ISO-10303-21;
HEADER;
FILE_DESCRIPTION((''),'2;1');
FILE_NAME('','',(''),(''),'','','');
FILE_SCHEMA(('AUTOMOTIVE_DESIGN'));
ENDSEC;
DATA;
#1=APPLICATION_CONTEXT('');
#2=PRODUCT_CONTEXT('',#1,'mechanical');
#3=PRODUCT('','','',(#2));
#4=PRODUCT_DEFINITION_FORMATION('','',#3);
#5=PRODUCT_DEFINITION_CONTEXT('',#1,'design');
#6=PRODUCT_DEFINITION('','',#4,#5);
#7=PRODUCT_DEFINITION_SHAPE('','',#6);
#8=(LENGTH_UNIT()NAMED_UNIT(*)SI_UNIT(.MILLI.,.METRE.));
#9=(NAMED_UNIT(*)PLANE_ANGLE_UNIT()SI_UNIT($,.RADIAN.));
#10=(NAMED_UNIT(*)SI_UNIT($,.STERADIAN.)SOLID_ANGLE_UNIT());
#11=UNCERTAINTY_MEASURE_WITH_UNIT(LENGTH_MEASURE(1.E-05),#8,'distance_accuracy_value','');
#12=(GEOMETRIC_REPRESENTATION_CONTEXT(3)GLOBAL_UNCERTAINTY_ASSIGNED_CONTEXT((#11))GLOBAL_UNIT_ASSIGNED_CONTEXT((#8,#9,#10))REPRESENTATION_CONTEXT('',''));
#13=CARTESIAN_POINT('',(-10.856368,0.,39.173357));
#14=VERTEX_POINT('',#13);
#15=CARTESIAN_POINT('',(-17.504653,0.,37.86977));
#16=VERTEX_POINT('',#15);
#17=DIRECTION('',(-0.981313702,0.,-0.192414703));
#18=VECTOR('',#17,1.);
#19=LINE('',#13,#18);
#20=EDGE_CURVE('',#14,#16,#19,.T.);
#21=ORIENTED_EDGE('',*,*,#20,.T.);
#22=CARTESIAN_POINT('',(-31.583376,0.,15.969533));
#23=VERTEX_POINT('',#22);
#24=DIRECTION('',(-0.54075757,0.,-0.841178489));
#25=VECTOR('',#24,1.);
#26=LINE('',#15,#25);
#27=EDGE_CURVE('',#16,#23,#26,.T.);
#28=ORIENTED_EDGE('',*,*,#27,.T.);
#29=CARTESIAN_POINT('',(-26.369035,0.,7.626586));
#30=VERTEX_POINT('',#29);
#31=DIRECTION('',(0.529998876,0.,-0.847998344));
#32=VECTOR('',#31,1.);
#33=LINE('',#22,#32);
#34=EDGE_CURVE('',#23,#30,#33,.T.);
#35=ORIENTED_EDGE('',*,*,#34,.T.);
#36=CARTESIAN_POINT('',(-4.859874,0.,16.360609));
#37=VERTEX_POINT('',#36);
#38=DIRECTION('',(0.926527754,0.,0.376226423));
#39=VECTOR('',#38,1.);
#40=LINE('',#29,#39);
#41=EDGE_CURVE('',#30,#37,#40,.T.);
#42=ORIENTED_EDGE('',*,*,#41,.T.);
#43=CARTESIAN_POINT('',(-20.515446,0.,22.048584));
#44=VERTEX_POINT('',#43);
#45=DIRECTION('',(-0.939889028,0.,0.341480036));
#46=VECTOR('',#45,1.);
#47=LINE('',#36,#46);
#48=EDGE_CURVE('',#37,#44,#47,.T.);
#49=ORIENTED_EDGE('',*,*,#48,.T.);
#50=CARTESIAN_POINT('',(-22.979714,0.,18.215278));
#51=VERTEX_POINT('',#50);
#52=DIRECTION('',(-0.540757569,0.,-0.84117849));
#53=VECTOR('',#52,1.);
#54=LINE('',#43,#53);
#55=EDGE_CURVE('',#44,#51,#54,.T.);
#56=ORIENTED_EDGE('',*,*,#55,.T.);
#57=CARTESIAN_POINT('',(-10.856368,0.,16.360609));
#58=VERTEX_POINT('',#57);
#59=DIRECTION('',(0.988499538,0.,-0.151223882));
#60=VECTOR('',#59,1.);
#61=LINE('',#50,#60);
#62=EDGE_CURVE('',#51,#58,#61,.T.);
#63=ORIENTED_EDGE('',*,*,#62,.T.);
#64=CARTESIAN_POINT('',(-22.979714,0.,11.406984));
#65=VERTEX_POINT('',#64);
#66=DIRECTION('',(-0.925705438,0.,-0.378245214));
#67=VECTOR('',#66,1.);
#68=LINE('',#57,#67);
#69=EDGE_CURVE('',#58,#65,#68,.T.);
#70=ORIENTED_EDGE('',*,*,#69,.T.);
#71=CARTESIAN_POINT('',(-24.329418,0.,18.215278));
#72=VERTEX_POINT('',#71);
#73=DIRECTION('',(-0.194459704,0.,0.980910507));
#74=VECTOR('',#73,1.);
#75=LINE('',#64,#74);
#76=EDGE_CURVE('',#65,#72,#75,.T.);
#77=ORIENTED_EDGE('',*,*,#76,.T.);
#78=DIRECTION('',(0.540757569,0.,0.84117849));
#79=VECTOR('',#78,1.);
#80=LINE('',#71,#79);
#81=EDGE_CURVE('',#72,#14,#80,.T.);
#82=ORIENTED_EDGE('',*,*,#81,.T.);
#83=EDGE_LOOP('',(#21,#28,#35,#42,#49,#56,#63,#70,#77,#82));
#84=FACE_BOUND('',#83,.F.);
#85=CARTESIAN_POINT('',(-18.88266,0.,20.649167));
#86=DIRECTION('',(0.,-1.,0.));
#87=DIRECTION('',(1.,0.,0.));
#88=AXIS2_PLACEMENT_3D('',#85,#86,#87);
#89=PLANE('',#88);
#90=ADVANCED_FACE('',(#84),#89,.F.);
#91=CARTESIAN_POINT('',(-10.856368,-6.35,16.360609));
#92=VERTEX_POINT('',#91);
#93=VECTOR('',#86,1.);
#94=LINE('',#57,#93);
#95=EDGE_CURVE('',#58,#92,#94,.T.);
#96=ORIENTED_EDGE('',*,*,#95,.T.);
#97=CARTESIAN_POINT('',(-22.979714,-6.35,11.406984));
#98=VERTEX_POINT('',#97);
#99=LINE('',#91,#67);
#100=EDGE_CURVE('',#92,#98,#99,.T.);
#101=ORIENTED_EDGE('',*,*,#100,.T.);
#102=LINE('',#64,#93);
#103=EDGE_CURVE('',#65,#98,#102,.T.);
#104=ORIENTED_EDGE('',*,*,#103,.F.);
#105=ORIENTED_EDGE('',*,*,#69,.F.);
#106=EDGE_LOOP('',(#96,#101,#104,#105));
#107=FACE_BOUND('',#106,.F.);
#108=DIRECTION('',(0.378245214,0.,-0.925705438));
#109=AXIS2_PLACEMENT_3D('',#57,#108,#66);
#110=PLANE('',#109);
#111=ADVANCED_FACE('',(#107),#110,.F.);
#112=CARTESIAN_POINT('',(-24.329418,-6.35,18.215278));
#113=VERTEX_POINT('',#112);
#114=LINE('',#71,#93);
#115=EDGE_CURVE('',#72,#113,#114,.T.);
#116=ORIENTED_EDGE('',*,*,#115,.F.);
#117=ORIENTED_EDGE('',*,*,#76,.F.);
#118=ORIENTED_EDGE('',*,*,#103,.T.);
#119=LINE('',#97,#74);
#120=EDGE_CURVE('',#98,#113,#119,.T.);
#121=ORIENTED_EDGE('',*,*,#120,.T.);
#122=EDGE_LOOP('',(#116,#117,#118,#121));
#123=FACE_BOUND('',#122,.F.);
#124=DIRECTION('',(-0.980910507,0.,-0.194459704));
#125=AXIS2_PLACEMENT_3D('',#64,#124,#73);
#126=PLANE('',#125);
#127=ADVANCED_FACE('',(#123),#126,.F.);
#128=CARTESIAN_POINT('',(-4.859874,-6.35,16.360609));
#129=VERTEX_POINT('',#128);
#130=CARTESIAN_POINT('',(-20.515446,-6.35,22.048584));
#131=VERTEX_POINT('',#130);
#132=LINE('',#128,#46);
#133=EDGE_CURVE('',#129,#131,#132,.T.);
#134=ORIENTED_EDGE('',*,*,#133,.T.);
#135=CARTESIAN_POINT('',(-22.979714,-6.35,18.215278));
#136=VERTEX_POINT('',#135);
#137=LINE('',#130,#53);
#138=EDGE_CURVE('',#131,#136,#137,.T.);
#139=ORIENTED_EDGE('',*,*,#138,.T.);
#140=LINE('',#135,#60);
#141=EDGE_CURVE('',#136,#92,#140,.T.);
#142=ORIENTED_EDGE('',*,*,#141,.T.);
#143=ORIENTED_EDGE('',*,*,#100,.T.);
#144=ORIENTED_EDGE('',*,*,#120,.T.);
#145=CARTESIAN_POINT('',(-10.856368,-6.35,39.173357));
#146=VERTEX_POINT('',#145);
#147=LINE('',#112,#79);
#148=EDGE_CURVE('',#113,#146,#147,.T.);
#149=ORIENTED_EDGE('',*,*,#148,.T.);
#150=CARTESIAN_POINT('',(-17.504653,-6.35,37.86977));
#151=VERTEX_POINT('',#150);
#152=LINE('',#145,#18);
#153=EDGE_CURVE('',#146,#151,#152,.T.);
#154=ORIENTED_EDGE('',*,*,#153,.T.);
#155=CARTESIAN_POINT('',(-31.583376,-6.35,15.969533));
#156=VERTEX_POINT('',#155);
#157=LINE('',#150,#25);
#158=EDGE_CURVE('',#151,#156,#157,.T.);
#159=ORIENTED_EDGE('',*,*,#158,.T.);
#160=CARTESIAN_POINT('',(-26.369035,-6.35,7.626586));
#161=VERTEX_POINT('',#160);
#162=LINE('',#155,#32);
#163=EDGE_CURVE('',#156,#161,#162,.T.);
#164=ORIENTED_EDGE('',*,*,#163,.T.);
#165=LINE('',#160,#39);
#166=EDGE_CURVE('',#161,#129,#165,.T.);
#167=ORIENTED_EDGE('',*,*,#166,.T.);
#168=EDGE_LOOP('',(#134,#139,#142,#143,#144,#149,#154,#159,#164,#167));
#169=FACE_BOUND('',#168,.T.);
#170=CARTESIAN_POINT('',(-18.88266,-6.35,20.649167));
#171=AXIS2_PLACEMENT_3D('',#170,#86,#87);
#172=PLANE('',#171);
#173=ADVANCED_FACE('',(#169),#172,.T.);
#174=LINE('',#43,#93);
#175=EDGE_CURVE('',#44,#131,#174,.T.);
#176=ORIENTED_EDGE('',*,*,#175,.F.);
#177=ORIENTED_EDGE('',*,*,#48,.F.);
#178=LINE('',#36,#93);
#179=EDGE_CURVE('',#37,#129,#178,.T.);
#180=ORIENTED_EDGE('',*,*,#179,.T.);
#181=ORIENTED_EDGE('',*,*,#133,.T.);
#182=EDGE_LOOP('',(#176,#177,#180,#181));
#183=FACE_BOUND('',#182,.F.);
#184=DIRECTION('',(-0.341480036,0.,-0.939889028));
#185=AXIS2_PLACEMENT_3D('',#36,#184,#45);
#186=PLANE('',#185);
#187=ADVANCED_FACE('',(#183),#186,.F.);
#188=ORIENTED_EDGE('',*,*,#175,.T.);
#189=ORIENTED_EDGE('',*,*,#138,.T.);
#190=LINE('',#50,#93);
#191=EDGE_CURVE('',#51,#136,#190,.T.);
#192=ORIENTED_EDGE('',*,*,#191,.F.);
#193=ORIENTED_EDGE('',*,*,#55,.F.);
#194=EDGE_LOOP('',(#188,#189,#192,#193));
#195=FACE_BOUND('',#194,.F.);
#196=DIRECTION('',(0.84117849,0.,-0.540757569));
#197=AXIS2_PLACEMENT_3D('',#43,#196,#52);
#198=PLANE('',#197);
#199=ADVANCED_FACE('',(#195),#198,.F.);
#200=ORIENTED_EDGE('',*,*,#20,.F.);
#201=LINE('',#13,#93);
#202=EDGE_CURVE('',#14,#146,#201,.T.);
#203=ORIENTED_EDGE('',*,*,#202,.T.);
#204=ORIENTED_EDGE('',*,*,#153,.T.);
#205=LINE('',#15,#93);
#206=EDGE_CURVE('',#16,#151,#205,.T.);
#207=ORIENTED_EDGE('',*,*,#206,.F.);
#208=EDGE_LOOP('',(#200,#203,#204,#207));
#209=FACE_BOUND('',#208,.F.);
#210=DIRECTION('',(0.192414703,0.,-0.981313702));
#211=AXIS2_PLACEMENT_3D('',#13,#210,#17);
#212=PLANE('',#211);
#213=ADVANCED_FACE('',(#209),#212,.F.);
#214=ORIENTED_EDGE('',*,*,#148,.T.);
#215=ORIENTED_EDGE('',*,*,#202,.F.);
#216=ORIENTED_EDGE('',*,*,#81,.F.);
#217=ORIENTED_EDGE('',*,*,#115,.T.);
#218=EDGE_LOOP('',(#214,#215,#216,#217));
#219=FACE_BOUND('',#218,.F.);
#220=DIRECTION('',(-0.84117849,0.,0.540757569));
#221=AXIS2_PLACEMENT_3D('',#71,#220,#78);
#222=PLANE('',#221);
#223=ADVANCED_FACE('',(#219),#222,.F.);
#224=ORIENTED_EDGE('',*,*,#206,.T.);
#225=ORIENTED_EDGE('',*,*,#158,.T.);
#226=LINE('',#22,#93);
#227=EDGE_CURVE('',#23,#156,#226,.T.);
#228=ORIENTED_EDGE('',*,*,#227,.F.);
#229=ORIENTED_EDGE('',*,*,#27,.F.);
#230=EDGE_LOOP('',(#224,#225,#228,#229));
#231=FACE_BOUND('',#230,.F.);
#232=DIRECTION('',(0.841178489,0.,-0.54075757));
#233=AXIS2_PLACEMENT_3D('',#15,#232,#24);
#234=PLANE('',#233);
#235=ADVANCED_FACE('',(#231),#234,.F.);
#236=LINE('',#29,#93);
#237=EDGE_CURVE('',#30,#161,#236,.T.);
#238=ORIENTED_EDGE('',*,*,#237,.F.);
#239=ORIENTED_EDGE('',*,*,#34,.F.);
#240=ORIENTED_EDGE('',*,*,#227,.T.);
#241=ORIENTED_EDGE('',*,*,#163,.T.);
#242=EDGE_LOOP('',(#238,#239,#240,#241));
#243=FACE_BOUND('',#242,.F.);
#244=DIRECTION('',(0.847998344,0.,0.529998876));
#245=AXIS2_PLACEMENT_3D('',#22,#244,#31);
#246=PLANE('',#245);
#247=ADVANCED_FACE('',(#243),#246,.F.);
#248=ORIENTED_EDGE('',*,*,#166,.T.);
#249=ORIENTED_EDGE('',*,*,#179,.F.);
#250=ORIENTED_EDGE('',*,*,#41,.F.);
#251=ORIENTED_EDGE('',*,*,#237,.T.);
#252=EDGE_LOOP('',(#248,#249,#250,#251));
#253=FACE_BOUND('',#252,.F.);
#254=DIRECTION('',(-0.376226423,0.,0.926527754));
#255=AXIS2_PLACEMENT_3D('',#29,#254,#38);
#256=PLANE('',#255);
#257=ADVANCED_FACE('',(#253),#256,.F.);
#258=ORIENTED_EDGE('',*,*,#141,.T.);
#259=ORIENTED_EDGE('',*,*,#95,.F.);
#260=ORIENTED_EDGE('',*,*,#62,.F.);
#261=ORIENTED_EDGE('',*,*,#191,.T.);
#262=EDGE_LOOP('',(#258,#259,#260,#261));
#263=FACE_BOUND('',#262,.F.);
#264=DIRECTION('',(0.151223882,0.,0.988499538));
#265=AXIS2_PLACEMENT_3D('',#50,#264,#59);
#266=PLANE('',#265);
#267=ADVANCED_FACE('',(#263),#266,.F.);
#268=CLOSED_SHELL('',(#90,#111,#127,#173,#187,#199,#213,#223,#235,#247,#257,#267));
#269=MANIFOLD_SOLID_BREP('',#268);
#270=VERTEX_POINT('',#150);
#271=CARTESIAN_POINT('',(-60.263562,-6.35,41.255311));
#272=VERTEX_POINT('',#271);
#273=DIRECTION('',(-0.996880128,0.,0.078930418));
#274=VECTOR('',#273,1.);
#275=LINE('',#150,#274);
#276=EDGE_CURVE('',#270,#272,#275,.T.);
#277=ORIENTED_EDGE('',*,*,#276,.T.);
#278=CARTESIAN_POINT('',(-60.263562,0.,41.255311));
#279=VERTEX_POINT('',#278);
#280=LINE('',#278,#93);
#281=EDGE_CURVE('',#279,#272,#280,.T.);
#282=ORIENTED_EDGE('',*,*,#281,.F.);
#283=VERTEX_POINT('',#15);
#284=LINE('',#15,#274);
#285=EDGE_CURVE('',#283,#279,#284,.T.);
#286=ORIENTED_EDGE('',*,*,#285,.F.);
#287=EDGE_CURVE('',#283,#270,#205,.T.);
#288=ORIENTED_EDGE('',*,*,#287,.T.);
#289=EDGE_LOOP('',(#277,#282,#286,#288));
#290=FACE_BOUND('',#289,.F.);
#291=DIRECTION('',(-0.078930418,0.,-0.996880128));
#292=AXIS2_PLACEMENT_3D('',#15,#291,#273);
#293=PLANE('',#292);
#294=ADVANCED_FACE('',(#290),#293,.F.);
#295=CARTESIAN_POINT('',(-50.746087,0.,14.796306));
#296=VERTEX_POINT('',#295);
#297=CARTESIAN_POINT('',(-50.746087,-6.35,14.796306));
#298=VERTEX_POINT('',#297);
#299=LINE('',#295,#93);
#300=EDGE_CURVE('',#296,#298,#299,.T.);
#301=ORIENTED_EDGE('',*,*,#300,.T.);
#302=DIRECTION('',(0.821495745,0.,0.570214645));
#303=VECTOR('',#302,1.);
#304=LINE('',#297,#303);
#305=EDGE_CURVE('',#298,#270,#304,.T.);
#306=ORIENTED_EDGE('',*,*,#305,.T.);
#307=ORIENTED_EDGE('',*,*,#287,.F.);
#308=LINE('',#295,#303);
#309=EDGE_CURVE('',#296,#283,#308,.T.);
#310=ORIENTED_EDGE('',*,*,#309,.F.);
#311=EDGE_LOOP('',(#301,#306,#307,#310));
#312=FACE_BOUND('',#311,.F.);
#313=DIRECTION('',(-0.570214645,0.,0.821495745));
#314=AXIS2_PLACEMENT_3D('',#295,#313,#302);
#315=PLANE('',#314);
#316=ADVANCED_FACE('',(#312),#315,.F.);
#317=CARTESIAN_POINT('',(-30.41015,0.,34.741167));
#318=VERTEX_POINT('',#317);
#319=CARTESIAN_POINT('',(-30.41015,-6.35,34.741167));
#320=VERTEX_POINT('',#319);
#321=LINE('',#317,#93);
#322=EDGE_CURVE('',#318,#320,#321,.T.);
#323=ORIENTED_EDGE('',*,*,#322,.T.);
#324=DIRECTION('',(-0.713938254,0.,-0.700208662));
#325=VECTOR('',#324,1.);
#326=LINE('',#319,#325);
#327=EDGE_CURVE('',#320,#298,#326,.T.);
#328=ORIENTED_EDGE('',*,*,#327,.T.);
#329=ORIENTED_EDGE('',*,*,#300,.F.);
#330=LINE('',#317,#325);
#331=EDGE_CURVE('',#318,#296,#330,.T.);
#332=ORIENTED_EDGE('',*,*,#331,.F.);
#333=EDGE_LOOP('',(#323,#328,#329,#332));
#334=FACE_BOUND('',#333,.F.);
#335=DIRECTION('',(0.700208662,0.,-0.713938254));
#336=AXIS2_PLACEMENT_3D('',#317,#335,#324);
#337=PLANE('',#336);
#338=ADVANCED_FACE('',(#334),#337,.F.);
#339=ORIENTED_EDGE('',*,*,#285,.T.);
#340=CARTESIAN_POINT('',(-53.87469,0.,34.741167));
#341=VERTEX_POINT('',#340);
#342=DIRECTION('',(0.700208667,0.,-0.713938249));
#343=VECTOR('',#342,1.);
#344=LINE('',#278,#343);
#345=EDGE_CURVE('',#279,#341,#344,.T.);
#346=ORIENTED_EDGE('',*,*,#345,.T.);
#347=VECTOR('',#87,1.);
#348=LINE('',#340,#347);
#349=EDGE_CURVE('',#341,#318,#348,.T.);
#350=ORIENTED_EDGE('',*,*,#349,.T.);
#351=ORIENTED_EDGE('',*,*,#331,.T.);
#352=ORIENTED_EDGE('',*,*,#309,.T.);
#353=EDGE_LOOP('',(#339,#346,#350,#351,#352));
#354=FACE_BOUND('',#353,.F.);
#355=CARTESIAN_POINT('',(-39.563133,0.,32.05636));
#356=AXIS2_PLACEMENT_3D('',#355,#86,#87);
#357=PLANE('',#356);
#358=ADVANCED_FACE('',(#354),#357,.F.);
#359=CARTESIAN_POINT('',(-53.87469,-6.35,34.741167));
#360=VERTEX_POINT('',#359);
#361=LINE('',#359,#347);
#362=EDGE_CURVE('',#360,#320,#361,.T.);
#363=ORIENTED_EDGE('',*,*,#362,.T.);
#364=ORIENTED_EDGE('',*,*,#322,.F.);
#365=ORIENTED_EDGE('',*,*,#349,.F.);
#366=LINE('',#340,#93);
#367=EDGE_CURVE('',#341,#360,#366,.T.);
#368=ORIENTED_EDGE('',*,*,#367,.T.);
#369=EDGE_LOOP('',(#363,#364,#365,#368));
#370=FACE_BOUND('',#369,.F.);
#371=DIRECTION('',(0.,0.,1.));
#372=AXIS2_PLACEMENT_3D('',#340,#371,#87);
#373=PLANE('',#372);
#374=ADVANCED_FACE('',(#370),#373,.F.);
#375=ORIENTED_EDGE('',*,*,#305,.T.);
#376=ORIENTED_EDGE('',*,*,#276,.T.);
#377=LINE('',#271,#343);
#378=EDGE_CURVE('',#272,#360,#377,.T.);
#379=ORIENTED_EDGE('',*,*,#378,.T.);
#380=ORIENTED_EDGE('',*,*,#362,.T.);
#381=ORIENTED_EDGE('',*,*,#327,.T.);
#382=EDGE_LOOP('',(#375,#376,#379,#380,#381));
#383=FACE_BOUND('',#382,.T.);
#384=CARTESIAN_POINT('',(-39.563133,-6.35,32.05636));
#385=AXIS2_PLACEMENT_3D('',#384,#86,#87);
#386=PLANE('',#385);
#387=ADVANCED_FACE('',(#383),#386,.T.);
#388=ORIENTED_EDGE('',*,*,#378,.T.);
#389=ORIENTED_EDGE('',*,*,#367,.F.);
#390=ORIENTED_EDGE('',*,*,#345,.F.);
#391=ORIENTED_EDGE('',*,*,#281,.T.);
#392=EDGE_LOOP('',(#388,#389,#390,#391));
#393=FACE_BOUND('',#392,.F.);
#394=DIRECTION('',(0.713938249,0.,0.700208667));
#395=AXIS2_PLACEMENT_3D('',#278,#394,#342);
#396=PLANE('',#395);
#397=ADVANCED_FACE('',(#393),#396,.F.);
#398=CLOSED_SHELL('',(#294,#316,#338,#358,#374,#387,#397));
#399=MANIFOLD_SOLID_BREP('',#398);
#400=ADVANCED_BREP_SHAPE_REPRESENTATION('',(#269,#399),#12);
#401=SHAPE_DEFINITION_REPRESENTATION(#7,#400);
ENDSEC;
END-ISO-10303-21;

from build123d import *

# Parameters (mm, degrees)
F1_DEPTH = 6.35


with BuildPart() as f1:
    # F0 (on Front) → F1 (new body)
    with BuildSketch(Plane.XZ):
        Polygon((-10.856368, 39.173357), (-17.504653, 37.86977), (-31.583376, 15.969533), (-26.369035, 7.626586), (-4.859874, 16.360609), (-20.515446, 22.048584), (-22.979714, 18.215278), (-10.856368, 16.360609), (-22.979714, 11.406984), (-24.329418, 18.215278), align=None)
        Polygon((-30.41015, 34.741167), (-50.746087, 14.796306), (-17.504653, 37.86977), (-60.263562, 41.255311), (-53.87469, 34.741167), align=None)
    extrude(amount=F1_DEPTH)


solid = f1.part
